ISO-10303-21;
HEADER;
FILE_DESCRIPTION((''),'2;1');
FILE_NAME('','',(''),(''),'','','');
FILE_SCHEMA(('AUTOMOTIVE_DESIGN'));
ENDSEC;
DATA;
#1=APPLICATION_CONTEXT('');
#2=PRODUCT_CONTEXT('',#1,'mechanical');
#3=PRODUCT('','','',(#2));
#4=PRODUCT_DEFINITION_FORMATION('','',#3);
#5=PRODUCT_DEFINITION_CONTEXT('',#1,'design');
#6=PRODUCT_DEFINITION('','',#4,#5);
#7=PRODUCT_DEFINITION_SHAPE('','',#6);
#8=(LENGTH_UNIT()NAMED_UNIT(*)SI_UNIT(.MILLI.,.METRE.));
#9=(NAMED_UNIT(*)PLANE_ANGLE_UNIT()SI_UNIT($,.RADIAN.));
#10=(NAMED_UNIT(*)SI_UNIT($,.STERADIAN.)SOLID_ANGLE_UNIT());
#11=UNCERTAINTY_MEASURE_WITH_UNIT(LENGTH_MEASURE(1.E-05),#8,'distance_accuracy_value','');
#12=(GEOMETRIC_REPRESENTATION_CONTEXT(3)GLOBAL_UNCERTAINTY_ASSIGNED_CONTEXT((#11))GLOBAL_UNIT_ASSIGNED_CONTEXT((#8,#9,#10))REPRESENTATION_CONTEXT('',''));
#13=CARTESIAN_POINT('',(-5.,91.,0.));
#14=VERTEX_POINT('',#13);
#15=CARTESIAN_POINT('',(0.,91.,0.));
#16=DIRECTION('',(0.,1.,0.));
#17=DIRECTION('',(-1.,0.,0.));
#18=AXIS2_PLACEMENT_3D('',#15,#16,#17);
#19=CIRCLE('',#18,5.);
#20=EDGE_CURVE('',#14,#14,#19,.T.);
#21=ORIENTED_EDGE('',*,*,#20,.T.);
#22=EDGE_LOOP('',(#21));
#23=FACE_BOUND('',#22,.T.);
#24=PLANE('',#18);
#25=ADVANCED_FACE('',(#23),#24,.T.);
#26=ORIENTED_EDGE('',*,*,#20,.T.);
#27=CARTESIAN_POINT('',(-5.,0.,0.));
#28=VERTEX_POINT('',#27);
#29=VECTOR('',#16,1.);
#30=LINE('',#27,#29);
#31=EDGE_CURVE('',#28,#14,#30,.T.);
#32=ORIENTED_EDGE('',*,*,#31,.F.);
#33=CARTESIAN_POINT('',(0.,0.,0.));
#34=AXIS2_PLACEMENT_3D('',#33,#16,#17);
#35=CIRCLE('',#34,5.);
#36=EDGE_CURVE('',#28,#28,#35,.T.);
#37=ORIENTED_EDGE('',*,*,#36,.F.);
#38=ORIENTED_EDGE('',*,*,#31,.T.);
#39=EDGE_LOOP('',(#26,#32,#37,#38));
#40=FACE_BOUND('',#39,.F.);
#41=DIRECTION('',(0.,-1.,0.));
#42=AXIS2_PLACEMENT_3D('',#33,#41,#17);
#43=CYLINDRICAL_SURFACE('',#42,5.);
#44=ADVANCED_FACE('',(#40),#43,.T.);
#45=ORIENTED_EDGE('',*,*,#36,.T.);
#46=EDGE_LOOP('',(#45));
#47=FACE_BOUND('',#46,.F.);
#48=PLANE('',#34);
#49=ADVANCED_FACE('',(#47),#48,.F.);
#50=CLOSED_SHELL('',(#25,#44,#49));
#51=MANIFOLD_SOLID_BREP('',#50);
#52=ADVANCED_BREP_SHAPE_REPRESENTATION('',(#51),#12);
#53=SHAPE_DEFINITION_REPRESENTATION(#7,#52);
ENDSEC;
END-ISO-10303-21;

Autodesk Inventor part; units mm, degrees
ref_plane "YZ Plane" through (0, 0, 0) normal (1, 0, 0) x (0, 1, 0)
ref_plane "XZ Plane" through (0, 0, 0) normal (0, 1, 0) x (-1, 0, 0)
ref_plane "XY Plane" through (0, 0, 0) normal (0, 0, 1) x (1, 0, 0)
sketch "Sketch1" plane through (0, 0, 0) normal (0, 1, 0) x (-1, 0, 0)
  circle A0 centre (0, 0) radius 5
  dimension "d0" = 10
extrude "Extrusion1" add sketch "Sketch1" along normal blind 91
properties part number "oś 12 91mm"
